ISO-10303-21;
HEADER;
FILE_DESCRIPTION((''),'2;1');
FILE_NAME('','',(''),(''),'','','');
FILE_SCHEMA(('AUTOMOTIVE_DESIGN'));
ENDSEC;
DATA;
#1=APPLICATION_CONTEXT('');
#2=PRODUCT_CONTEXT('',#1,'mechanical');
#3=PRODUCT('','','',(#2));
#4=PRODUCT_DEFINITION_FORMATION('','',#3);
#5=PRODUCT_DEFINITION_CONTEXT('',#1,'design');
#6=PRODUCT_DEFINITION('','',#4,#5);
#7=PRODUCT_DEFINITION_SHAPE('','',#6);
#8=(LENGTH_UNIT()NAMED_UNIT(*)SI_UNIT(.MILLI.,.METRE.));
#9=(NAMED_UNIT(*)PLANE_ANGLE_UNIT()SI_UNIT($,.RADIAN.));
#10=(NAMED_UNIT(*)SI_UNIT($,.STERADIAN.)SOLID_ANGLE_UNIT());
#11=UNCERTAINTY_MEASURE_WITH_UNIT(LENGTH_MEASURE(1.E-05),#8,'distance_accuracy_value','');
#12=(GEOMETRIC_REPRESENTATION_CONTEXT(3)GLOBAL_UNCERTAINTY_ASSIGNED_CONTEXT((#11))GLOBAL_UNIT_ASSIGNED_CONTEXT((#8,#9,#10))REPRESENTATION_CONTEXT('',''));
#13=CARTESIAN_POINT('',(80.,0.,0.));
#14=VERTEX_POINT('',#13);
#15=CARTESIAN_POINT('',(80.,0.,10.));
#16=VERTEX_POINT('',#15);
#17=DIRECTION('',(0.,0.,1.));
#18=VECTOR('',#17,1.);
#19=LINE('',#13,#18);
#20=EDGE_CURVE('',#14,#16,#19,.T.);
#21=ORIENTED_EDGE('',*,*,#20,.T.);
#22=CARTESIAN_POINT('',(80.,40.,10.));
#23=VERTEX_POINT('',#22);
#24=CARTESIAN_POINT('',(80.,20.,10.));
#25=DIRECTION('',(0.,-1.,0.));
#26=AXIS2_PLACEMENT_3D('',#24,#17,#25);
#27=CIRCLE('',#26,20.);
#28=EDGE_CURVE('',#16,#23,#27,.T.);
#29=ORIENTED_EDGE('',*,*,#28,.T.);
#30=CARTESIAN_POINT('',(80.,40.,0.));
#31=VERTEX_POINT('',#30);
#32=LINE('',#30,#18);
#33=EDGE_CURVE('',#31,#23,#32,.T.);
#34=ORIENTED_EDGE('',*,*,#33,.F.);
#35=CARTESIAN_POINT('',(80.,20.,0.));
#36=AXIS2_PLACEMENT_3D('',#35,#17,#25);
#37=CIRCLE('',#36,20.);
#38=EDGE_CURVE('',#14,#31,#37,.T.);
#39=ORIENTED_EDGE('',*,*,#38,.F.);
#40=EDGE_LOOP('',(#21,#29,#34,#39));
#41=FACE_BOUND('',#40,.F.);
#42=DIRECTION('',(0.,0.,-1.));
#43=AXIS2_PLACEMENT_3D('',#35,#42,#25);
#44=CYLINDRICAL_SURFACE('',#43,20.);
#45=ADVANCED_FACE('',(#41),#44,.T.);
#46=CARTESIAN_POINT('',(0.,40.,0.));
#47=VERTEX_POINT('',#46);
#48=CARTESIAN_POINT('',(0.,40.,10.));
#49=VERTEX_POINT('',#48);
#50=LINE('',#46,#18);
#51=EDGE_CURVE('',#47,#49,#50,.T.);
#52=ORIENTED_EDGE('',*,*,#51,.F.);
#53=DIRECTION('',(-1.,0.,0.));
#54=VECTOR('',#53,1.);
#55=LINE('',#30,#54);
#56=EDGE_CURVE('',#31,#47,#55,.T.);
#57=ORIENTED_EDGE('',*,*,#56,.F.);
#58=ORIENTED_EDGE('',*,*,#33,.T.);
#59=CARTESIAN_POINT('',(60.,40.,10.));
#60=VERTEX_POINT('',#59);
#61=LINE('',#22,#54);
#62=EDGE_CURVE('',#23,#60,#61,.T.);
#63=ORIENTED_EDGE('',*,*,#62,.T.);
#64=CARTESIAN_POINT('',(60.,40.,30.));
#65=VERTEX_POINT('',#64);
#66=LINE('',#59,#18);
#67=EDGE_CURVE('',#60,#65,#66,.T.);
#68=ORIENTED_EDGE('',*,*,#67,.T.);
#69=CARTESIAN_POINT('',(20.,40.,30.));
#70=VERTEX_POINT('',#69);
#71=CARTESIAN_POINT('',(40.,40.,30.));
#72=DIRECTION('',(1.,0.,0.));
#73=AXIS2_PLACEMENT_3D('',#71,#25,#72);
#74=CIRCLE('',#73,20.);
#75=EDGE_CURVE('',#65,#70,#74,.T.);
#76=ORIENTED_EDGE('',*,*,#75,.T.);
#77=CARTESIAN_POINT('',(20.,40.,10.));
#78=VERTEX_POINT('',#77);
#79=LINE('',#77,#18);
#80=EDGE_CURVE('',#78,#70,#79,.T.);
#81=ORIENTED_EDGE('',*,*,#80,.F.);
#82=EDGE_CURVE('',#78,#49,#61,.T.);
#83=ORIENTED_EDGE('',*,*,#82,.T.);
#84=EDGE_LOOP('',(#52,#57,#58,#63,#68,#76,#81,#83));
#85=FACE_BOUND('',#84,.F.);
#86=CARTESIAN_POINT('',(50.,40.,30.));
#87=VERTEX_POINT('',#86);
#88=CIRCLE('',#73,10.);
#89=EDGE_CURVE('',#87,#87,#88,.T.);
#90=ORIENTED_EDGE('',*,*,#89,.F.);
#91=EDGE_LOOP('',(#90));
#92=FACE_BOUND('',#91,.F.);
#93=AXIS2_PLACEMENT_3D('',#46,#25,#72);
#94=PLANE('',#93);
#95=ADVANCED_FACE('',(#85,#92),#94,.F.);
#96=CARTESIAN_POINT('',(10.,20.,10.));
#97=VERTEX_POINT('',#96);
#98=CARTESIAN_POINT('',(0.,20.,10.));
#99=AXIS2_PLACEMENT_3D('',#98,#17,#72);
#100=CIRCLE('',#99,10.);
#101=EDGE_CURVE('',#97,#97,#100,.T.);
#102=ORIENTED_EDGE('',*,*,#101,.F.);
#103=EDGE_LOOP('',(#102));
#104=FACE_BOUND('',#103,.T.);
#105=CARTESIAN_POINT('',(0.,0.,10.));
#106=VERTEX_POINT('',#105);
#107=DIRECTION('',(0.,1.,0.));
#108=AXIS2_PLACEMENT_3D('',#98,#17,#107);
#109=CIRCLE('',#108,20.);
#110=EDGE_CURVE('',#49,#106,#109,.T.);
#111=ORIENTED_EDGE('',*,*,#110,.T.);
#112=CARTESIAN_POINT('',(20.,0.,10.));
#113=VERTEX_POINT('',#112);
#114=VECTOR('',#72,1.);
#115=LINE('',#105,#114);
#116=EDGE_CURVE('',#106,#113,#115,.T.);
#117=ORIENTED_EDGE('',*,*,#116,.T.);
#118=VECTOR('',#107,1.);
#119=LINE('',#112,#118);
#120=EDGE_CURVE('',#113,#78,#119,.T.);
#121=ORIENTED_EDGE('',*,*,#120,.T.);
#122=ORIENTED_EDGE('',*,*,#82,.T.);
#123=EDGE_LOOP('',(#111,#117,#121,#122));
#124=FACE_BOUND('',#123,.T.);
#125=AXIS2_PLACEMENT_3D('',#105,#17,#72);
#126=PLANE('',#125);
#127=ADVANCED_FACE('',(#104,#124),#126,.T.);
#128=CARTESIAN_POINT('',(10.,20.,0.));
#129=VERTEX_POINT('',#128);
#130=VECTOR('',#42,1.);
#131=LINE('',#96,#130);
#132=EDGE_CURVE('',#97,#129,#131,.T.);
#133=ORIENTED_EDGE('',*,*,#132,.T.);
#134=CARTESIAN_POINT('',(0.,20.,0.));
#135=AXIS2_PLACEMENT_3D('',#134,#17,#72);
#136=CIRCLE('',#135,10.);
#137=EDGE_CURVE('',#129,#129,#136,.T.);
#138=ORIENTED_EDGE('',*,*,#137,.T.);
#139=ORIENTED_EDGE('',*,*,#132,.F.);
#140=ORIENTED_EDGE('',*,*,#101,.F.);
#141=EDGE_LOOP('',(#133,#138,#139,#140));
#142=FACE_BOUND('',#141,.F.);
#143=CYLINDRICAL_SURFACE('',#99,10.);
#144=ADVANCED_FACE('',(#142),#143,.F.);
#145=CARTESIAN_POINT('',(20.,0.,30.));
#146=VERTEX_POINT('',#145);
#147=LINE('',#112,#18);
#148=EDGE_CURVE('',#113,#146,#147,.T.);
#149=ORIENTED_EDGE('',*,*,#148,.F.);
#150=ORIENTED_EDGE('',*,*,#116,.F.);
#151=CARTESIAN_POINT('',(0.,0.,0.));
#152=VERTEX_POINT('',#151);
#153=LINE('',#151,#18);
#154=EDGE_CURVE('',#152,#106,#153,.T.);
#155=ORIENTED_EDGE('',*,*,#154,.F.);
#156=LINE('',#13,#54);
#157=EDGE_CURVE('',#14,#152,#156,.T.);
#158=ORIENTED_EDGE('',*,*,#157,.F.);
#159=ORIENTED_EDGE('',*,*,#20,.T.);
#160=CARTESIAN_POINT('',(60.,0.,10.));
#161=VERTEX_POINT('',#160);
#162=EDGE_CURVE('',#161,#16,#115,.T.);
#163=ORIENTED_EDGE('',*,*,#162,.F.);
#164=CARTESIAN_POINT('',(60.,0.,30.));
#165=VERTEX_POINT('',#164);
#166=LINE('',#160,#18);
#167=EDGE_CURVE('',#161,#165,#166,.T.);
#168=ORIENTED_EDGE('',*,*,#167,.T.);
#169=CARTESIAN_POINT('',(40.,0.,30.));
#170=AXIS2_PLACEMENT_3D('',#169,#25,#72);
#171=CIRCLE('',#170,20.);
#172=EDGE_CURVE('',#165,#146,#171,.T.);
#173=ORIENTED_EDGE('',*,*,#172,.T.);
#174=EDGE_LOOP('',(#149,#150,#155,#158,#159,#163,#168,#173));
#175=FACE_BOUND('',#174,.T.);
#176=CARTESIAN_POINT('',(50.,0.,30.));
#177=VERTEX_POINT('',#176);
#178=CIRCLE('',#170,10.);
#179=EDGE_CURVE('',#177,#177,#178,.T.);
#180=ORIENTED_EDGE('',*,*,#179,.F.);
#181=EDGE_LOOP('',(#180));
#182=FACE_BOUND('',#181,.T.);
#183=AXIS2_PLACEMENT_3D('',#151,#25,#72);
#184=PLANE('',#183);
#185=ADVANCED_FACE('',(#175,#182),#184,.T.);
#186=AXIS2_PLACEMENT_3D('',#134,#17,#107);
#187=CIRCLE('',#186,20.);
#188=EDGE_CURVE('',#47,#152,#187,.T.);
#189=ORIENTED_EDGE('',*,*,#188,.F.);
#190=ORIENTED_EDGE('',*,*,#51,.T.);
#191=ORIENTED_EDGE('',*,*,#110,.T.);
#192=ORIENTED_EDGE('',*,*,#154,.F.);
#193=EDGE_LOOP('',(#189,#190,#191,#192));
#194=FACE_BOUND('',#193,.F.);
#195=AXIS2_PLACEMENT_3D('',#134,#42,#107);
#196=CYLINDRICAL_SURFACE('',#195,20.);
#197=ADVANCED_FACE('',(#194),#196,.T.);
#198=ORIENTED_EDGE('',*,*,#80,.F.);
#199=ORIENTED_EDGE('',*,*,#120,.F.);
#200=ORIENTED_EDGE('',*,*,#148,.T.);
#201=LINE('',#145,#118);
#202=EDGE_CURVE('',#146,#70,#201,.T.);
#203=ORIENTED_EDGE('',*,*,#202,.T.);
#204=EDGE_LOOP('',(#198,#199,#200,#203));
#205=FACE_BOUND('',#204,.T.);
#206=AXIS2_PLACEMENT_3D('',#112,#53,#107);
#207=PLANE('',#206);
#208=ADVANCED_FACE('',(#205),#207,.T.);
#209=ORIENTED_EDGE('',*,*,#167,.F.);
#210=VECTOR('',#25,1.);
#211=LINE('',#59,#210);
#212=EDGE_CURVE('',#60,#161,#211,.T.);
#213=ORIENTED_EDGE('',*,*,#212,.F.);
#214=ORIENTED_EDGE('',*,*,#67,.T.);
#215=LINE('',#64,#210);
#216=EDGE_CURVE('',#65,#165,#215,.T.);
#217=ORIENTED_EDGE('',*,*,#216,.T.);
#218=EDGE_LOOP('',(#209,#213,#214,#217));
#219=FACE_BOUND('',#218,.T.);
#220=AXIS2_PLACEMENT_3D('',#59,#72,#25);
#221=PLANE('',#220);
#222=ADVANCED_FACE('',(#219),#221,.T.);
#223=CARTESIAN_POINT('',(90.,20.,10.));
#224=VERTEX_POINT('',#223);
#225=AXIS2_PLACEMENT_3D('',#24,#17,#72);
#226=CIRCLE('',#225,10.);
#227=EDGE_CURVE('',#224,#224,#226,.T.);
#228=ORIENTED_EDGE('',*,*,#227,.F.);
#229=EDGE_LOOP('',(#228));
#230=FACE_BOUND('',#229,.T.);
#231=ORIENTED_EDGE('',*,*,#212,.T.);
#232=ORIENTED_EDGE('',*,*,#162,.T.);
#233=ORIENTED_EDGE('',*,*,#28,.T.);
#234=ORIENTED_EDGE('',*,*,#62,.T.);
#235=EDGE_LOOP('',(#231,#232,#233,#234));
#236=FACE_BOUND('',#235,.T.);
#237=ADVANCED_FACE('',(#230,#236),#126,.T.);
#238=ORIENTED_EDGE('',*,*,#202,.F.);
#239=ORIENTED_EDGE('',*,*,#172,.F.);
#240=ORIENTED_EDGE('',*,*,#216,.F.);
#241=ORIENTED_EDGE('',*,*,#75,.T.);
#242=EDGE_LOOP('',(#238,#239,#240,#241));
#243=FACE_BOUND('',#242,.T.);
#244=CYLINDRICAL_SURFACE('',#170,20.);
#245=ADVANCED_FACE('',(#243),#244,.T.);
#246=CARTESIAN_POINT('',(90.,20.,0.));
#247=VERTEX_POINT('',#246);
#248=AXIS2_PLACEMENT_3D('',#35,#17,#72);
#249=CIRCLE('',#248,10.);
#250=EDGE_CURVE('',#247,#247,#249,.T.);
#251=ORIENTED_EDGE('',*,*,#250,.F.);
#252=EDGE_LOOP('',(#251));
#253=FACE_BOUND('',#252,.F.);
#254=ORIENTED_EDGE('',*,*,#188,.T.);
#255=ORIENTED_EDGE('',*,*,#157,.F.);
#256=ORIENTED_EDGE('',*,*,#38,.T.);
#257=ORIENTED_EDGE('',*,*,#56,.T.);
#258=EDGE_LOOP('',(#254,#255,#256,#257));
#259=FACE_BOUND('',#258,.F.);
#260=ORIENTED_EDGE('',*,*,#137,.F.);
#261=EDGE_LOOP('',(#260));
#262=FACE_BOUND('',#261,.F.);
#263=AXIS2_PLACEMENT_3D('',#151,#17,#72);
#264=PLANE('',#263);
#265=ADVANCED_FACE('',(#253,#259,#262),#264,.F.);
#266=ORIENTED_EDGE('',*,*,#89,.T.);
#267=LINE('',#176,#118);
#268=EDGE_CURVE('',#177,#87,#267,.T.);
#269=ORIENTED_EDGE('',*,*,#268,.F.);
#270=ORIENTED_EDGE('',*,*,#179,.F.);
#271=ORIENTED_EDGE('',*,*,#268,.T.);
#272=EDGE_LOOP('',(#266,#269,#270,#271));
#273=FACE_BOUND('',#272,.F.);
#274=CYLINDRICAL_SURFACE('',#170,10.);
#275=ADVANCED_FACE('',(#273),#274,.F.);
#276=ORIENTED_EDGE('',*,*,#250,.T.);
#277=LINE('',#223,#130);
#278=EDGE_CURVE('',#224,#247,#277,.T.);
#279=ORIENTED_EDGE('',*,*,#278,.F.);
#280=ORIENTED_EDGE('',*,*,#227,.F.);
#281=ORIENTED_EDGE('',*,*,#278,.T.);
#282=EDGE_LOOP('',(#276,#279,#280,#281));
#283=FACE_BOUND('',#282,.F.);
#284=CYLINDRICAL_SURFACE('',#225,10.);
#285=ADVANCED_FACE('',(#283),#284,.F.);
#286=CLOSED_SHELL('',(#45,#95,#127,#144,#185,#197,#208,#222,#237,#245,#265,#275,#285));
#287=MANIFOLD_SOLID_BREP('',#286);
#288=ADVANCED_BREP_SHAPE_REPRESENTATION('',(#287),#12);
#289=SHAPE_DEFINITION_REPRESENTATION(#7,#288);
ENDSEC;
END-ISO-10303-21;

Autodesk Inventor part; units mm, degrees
ref_plane "YZ Plane" through (0, 0, 0) normal (1, 0, 0) x (0, 1, 0)
ref_plane "XZ Plane" through (0, 0, 0) normal (0, 1, 0) x (-1, 0, 0)
ref_plane "XY Plane" through (0, 0, 0) normal (0, 0, 1) x (1, 0, 0)
sketch "Sketch1" plane through (0, 0, 0) normal (0, 0, 1) x (1, 0, 0)
  line L0 (0, 0) -> (80, 0)
  line L1 (0, 0) -> (50.337, 0)
  line L2 (0, 0) -> (80, 0)
  line L3 (80, 0) -> (80, 40)
  line L4 (80, 40) -> (0, 40)
  line L5 (0, 40) -> (0, 0)
  arc A0 (0, 40) -> (0, 0) centre (0, 20) ccw
  arc A1 (80, 0) -> (80, 40) centre (80, 20) ccw
  dimension "d1" = 80
  dimension "d2" = 40
extrude "Extrusion1" add sketch "Sketch1" along normal blind 10
sketch "Sketch2" plane through (0, 0, 10) normal (0, 0, 1) x (1, 0, 0)
  arc A0 (0, 40) -> (0, 0) centre (0, 20) ccw projected
  circle A1 centre (0, 20) radius 10
  arc A2 (80, 0) -> (80, 40) centre (80, 20) ccw projected
  circle A3 centre (80, 20) radius 10
  dimension "d6" = 20
  dimension "d7" = 20
extrude "Extrusion2" cut sketch "Sketch2" against normal blind 10
sketch "Sketch3" plane through (0, 0, 10) normal (0, 0, 1) x (1, 0, 0)
  line L0 (80, 40) -> (0, 40) projected
  line L1 (20, 40) -> (60, 40)
  line L2 (60, 40) -> (60, 0)
  line L3 (60, 0) -> (20, 0)
  line L4 (20, 0) -> (20, 40)
  arc A0 (0, 40) -> (0, 0) centre (0, 20) ccw projected
  dimension "d10" = 40
  dimension "d11" = 40
  dimension "d12" = 20
extrude "Extrusion3" add sketch "Sketch3" along normal blind 20
sketch "Sketch4" plane through (0, 0, 0) normal (0, -1, 0) x (1, 0, 0)
  line L0 (20, 30) -> (60, 30) projected
  arc A0 (60, 30) -> (20, 30) centre (40, 30) ccw
  point P0 (0, 0)
extrude "Extrusion4" add sketch "Sketch4" against normal blind 40
sketch "Sketch5" plane through (0, 0, 0) normal (0, -1, 0) x (1, 0, 0)
  arc A0 (60, 30) -> (20, 30) centre (40, 30) ccw projected
  circle A1 centre (40, 30) radius 10
  point P0 (0, 0)
  dimension "d17" = 20
extrude "Extrusion5" cut sketch "Sketch5" against normal blind 40
